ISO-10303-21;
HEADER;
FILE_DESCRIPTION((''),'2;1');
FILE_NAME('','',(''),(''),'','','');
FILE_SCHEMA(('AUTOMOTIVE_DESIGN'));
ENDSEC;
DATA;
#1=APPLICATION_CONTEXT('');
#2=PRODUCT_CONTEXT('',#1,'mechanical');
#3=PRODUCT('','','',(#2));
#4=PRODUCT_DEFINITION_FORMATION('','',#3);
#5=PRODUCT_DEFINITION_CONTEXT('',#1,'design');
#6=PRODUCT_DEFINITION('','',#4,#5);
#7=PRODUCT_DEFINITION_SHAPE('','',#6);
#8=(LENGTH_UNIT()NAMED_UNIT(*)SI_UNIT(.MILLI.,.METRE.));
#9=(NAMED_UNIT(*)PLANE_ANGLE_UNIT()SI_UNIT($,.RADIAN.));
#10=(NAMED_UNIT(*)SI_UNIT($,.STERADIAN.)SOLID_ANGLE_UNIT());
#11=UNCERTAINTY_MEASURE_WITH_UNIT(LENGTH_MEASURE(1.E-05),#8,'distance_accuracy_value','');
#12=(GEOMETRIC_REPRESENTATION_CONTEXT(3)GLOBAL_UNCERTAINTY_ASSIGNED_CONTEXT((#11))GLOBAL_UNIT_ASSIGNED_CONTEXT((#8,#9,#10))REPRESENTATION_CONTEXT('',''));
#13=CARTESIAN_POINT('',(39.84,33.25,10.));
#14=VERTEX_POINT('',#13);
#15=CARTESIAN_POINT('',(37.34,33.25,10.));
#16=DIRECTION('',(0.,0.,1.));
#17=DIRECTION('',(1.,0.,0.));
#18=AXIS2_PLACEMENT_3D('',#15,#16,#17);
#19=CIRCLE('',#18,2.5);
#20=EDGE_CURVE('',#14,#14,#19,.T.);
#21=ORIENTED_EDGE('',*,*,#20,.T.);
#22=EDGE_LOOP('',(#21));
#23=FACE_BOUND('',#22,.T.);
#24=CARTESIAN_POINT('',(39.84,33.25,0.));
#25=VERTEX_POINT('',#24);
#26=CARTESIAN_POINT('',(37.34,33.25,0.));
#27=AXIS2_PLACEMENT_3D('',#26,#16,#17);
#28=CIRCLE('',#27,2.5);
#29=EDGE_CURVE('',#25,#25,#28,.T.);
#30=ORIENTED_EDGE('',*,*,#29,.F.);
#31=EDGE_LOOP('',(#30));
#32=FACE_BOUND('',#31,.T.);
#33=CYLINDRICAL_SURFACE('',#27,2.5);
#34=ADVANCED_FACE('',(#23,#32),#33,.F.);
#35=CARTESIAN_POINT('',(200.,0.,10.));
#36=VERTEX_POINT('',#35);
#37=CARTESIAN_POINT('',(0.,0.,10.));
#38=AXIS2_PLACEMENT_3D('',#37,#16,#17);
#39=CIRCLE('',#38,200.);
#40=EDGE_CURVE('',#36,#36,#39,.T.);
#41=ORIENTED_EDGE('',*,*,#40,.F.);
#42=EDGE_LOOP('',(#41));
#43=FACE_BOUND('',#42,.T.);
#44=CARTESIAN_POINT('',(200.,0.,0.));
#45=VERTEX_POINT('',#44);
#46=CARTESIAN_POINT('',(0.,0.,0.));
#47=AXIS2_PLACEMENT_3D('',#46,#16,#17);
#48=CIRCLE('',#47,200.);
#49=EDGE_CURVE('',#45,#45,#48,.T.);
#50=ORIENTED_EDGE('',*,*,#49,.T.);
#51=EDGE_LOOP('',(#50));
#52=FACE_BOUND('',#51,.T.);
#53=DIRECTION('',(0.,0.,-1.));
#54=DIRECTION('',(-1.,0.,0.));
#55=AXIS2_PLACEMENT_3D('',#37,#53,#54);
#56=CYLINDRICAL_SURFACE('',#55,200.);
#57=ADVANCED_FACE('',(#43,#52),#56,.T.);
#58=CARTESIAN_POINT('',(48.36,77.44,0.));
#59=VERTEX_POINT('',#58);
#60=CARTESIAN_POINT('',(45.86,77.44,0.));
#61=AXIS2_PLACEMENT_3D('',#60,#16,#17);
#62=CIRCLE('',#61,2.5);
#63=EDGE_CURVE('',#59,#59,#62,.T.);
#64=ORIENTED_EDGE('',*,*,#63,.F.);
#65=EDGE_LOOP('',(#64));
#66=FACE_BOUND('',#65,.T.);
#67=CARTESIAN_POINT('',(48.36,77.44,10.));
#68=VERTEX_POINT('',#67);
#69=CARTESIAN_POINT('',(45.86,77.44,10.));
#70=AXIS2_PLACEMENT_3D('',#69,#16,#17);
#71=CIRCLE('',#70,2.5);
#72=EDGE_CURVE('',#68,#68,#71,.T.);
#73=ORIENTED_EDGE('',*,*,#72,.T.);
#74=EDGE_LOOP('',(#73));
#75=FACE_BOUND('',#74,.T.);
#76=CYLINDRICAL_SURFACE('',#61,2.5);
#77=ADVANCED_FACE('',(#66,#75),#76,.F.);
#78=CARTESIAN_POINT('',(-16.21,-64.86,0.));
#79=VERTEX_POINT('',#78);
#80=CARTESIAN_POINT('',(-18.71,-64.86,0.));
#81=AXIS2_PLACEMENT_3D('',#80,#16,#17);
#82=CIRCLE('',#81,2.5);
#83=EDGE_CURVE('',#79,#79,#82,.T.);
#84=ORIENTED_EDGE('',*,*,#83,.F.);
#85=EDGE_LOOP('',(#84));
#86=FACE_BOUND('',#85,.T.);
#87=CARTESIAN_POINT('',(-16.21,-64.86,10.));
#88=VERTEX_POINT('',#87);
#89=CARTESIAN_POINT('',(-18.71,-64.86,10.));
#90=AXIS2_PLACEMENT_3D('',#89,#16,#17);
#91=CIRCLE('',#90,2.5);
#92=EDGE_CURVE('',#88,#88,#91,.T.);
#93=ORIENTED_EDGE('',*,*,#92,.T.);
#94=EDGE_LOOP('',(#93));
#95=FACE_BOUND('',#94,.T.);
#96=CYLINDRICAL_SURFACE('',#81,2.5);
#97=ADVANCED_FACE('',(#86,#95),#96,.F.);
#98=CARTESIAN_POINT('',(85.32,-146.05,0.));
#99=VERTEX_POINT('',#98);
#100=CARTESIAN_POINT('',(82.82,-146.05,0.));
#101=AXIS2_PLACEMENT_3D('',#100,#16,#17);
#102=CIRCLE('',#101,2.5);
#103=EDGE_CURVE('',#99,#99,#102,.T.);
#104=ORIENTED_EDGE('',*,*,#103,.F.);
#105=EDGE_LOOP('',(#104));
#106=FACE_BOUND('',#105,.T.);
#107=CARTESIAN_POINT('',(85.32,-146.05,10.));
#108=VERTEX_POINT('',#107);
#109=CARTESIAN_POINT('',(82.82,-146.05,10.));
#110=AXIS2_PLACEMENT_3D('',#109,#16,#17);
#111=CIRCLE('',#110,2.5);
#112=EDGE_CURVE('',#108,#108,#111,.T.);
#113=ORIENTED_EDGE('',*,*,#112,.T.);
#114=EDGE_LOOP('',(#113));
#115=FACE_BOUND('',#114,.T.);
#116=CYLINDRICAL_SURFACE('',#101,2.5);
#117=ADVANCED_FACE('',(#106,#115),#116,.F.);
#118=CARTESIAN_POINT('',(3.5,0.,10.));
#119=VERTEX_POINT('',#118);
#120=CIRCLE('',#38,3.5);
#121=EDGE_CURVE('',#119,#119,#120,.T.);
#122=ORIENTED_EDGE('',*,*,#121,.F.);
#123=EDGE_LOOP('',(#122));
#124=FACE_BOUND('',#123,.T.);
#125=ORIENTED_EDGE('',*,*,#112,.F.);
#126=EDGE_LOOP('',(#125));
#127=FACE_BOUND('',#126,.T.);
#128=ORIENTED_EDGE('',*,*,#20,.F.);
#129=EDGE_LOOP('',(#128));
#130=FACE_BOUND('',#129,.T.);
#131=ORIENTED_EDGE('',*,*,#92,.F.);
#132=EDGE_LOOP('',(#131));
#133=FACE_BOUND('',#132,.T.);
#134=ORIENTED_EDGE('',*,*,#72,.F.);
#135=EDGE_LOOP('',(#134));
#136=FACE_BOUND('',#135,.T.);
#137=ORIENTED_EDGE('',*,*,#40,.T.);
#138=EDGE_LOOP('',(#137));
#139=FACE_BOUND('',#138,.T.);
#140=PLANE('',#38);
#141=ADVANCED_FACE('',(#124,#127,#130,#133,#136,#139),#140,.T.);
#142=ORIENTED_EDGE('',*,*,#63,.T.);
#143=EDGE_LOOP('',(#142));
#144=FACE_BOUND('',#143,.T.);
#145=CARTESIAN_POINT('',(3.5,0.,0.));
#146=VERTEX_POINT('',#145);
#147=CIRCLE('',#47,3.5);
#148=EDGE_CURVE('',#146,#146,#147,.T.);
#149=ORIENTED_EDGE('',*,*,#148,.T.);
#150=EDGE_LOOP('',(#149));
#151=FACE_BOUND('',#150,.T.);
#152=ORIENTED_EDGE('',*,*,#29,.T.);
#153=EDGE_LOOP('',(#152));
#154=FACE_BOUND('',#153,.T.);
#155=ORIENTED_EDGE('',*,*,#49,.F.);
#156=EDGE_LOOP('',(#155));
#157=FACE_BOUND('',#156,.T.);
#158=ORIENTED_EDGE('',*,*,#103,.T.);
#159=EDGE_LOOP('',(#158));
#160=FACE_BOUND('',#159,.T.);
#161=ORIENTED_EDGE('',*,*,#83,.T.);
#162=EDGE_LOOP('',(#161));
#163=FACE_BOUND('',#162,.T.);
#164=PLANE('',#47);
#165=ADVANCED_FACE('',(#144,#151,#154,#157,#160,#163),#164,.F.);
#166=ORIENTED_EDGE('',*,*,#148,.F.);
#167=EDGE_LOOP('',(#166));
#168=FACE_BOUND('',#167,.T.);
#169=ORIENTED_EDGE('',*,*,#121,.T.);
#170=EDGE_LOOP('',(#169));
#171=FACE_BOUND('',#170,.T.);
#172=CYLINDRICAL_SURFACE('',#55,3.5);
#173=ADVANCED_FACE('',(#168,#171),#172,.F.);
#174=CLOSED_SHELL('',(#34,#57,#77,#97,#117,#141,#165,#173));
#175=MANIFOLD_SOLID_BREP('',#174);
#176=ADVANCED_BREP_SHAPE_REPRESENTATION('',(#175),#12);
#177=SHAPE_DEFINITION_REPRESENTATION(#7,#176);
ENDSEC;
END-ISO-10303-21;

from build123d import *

# Parameters (mm, degrees)
SKETCH1_R           = 200
SKETCH1_R_2         = 3.5
BOSS_EXTRUDE1_DEPTH = 10
SKETCH2_R           = 2.5
CUT_EXTRUDE1_DEPTH  = 11
SKETCH3_R           = 2.5
CUT_EXTRUDE2_DEPTH  = 11
SKETCH4_R           = 2.5
CUT_EXTRUDE3_DEPTH  = 11


with BuildPart() as part:
    # Sketch1 → Boss-Extrude1 (new body)
    with BuildSketch(Plane.XY):
        Circle(SKETCH1_R)
        Circle(SKETCH1_R_2, mode=Mode.SUBTRACT)
    extrude(amount=BOSS_EXTRUDE1_DEPTH)

    # Sketch2 → Cut-Extrude1 (cut, through all)
    with BuildSketch(Plane.XY.offset(10)):
        with Locations((37.34, 33.25)):
            Circle(SKETCH2_R)
        with Locations((45.86, 77.44)):
            Circle(SKETCH2_R)
    extrude(amount=-CUT_EXTRUDE1_DEPTH, mode=Mode.SUBTRACT)

    # Sketch3 → Cut-Extrude2 (cut, through all)
    with BuildSketch(Plane.XY.offset(10)):
        with Locations((-18.71, -64.86)):
            Circle(SKETCH3_R)
    extrude(amount=-CUT_EXTRUDE2_DEPTH, mode=Mode.SUBTRACT)

    # Sketch4 → Cut-Extrude3 (cut, through all)
    with BuildSketch(Plane.XY.offset(10)):
        with Locations((82.82, -146.05)):
            Circle(SKETCH4_R)
    extrude(amount=-CUT_EXTRUDE3_DEPTH, mode=Mode.SUBTRACT)


solid = part.part
